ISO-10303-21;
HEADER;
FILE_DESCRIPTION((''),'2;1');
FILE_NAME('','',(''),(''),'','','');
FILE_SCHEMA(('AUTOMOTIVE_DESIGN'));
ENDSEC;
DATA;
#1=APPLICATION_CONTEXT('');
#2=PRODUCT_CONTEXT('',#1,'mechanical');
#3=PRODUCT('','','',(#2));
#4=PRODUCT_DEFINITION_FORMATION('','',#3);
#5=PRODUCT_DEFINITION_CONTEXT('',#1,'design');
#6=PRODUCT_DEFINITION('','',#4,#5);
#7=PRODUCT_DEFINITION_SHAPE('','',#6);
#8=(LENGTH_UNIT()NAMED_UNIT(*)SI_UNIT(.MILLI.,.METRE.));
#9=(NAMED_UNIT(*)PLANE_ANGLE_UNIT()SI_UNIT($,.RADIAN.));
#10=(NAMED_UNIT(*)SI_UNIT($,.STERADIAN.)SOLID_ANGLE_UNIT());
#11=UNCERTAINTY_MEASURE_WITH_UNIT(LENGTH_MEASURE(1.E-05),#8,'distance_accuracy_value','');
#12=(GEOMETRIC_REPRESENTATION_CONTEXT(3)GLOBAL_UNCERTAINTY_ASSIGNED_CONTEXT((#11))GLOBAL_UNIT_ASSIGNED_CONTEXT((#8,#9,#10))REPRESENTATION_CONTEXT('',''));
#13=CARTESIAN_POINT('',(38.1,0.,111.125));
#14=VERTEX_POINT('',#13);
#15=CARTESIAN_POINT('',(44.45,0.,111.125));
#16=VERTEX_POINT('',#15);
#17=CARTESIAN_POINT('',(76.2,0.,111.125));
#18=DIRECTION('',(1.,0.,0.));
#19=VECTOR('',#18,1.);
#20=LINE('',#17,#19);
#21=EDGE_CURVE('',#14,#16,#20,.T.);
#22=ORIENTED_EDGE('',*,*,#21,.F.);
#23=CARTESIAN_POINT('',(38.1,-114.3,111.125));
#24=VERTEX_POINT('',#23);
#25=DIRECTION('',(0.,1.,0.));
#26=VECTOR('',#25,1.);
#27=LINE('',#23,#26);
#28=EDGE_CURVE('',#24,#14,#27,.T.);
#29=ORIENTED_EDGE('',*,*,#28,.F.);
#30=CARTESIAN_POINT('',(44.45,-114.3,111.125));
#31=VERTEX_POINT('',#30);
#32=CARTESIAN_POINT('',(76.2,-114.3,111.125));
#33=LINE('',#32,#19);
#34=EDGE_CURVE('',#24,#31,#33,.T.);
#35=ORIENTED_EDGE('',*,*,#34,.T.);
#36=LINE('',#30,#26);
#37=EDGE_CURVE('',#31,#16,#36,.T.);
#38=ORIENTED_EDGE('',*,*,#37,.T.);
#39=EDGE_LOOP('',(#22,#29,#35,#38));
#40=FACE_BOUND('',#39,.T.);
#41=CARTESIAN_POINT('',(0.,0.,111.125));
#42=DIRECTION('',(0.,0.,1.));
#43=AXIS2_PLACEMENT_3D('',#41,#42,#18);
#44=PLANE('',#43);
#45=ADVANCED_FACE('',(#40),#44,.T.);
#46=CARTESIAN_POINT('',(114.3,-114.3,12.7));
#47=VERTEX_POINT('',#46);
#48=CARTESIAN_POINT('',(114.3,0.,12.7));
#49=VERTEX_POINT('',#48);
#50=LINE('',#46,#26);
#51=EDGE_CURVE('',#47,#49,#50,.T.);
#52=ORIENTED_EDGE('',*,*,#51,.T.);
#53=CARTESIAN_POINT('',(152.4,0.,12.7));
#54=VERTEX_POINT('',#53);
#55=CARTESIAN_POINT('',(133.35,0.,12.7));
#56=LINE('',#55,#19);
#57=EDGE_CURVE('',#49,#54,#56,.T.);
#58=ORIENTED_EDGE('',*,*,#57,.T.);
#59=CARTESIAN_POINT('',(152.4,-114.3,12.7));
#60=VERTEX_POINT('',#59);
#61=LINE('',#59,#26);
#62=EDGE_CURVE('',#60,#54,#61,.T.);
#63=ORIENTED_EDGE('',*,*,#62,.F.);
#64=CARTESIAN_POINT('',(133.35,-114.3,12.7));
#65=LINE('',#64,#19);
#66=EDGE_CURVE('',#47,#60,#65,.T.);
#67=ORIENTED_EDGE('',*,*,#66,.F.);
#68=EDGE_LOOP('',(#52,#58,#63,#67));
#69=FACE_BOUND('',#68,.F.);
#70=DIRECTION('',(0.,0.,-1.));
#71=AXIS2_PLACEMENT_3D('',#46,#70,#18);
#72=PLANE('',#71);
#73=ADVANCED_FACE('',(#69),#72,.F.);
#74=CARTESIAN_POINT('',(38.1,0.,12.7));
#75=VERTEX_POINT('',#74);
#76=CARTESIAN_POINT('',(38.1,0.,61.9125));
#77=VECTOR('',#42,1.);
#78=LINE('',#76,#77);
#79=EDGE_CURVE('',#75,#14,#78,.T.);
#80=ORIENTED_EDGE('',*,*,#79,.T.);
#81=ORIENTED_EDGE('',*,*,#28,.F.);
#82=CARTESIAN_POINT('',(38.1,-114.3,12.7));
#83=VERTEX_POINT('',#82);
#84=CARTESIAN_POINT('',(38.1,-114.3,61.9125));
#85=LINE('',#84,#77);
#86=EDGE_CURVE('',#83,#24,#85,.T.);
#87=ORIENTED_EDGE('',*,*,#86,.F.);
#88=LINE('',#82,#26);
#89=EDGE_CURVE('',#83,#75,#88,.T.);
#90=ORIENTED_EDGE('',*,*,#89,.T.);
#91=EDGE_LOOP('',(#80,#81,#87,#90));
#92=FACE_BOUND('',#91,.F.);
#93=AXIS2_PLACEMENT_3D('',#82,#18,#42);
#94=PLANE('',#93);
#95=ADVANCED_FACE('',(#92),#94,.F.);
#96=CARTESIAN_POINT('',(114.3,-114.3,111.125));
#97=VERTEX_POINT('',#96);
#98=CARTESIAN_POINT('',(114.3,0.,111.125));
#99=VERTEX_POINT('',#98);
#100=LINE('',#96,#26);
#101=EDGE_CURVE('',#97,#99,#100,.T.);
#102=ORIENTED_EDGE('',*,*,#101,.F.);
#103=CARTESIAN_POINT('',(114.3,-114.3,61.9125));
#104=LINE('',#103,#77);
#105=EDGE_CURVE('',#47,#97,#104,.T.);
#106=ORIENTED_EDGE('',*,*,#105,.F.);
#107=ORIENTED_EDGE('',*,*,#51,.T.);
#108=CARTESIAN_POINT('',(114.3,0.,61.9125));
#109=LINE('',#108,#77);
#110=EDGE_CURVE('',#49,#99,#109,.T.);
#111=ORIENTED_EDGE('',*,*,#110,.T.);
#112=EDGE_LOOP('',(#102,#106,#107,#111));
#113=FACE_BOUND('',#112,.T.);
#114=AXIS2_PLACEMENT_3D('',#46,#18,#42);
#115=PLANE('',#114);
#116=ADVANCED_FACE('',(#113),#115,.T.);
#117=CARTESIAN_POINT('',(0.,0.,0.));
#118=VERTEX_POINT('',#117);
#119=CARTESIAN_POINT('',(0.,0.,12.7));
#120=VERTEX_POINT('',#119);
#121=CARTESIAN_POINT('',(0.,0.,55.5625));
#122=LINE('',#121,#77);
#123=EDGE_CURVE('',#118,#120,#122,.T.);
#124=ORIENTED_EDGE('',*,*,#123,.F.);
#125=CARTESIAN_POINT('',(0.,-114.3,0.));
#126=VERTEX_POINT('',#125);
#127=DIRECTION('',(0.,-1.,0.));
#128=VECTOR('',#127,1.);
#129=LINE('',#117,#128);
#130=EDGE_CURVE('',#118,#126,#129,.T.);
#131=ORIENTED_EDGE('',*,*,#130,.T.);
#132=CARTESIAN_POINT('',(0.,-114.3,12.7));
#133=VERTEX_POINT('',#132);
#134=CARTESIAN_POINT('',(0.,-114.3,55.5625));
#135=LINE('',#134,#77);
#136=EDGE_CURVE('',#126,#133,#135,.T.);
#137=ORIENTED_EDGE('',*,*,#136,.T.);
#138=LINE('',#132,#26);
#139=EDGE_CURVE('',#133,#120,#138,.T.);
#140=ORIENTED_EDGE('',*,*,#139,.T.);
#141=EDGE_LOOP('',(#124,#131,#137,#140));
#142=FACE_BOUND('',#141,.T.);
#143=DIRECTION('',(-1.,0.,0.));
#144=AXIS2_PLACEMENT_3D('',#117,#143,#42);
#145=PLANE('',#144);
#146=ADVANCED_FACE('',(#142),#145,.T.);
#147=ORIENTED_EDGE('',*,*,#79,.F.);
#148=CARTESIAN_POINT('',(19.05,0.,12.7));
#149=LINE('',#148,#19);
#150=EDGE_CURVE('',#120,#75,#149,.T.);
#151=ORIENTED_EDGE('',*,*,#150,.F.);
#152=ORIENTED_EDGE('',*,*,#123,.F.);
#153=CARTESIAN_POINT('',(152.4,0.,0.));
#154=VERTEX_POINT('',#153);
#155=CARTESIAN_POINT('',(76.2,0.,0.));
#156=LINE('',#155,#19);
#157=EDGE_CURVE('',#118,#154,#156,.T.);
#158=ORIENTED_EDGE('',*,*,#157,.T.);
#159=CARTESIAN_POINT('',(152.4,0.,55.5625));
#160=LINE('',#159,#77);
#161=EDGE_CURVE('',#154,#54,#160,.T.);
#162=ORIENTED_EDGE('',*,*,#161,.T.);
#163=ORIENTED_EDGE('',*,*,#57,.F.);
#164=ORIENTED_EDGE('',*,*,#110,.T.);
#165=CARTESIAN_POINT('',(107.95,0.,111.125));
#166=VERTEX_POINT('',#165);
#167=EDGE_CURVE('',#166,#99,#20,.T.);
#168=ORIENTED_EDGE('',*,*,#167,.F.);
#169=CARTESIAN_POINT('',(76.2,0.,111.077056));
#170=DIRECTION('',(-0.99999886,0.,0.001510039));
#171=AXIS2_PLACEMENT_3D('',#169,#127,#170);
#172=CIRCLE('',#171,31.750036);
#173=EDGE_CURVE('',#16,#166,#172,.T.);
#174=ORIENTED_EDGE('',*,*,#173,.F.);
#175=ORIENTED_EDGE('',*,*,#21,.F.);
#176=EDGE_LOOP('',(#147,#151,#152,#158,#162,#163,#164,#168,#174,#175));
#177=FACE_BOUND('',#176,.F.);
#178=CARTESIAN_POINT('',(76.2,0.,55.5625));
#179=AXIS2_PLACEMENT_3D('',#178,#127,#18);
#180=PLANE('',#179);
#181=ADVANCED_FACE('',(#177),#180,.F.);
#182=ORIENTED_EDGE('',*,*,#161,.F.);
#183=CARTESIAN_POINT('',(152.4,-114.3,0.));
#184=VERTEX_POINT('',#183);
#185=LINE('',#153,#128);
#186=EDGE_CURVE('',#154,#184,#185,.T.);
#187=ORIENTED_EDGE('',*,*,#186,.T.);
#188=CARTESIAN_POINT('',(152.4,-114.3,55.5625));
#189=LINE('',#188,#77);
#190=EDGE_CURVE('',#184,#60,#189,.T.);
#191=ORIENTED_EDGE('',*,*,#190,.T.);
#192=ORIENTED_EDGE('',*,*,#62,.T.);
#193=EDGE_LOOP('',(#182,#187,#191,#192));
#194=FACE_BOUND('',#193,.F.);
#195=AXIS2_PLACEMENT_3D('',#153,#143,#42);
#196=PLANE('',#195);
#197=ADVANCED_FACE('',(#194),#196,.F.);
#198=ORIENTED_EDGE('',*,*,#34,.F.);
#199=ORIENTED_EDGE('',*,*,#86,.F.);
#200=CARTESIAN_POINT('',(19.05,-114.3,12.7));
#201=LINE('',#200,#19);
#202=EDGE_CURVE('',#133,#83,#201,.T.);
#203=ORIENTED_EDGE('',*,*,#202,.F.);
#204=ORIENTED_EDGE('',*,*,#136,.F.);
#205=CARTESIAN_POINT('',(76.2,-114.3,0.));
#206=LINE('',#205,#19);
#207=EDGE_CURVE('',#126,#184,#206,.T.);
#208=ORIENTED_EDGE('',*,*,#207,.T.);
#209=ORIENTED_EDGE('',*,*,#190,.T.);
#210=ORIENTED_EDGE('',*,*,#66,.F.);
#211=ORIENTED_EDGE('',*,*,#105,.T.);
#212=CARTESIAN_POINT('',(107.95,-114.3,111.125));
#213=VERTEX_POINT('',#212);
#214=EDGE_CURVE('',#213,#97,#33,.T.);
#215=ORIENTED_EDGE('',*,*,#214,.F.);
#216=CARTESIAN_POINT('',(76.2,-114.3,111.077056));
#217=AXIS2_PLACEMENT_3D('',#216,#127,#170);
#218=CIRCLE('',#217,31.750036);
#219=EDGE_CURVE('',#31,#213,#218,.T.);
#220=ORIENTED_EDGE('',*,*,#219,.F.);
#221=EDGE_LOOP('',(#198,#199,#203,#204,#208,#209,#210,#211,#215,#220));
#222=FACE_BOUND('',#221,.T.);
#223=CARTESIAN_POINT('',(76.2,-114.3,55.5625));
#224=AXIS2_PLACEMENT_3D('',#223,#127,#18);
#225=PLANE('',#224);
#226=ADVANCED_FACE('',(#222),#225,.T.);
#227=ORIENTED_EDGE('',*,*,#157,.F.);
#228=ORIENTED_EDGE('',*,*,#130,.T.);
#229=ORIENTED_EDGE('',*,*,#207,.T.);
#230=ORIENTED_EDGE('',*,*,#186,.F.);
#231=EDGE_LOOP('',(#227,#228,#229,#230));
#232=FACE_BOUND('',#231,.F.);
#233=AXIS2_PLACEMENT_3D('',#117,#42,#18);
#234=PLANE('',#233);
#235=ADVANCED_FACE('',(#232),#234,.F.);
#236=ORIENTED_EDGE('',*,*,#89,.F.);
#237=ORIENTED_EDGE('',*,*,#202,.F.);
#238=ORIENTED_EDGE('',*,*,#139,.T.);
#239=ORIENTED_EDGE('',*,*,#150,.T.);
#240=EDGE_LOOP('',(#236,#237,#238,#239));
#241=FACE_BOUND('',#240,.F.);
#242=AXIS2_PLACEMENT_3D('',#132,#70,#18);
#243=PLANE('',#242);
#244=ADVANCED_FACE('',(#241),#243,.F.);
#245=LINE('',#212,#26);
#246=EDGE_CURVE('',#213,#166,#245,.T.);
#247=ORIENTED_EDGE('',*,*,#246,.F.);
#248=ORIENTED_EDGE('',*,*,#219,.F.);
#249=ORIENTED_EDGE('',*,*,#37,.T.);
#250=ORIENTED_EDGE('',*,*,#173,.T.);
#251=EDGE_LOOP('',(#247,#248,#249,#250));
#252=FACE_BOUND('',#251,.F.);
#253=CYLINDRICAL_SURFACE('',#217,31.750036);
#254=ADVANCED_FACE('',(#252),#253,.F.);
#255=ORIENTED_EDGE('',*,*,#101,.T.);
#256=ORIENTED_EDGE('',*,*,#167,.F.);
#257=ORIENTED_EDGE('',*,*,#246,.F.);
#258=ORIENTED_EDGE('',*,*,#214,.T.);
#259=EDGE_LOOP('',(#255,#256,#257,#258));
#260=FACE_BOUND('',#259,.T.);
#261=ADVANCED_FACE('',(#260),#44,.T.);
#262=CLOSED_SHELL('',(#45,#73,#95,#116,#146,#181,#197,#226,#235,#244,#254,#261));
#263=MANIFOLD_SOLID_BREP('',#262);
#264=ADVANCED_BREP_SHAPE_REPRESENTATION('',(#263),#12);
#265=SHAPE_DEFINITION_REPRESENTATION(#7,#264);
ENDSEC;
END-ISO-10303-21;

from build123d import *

# Parameters (mm, degrees)
F0_W     = 152.4
F0_H     = 111.125
F1_DEPTH = 114.3
F2_W     = 38.1
F2_H     = 98.425
F3_DEPTH = 114.3
F5_DEPTH = 114.3


with BuildPart() as f1:
    # F0 (on Front) → F1 (new body)
    with BuildSketch(Plane.XZ):
        with Locations((76.2, 55.5625)):
            Rectangle(F0_W, F0_H)
    extrude(amount=F1_DEPTH)

    # F2 (on face) → F3 (cut)
    with BuildSketch(Plane.XZ.offset(114.3)):
        with Locations((19.05, 61.9125)):
            Rectangle(F2_W, F2_H)
        with Locations((133.35, 61.9125)):
            Rectangle(F2_W, F2_H)
    extrude(amount=-F3_DEPTH, mode=Mode.SUBTRACT)

    # F4 (on face) → F5 (cut)
    with BuildSketch(Plane.XZ.offset(114.3)):
        with BuildLine():
            Line((107.95, 111.125), (44.45, 111.125))
            ThreePointArc((44.45, 111.125), (76.2, 79.32702), (107.95, 111.125))
        make_face()
    extrude(amount=-F5_DEPTH, mode=Mode.SUBTRACT)


solid = f1.part
